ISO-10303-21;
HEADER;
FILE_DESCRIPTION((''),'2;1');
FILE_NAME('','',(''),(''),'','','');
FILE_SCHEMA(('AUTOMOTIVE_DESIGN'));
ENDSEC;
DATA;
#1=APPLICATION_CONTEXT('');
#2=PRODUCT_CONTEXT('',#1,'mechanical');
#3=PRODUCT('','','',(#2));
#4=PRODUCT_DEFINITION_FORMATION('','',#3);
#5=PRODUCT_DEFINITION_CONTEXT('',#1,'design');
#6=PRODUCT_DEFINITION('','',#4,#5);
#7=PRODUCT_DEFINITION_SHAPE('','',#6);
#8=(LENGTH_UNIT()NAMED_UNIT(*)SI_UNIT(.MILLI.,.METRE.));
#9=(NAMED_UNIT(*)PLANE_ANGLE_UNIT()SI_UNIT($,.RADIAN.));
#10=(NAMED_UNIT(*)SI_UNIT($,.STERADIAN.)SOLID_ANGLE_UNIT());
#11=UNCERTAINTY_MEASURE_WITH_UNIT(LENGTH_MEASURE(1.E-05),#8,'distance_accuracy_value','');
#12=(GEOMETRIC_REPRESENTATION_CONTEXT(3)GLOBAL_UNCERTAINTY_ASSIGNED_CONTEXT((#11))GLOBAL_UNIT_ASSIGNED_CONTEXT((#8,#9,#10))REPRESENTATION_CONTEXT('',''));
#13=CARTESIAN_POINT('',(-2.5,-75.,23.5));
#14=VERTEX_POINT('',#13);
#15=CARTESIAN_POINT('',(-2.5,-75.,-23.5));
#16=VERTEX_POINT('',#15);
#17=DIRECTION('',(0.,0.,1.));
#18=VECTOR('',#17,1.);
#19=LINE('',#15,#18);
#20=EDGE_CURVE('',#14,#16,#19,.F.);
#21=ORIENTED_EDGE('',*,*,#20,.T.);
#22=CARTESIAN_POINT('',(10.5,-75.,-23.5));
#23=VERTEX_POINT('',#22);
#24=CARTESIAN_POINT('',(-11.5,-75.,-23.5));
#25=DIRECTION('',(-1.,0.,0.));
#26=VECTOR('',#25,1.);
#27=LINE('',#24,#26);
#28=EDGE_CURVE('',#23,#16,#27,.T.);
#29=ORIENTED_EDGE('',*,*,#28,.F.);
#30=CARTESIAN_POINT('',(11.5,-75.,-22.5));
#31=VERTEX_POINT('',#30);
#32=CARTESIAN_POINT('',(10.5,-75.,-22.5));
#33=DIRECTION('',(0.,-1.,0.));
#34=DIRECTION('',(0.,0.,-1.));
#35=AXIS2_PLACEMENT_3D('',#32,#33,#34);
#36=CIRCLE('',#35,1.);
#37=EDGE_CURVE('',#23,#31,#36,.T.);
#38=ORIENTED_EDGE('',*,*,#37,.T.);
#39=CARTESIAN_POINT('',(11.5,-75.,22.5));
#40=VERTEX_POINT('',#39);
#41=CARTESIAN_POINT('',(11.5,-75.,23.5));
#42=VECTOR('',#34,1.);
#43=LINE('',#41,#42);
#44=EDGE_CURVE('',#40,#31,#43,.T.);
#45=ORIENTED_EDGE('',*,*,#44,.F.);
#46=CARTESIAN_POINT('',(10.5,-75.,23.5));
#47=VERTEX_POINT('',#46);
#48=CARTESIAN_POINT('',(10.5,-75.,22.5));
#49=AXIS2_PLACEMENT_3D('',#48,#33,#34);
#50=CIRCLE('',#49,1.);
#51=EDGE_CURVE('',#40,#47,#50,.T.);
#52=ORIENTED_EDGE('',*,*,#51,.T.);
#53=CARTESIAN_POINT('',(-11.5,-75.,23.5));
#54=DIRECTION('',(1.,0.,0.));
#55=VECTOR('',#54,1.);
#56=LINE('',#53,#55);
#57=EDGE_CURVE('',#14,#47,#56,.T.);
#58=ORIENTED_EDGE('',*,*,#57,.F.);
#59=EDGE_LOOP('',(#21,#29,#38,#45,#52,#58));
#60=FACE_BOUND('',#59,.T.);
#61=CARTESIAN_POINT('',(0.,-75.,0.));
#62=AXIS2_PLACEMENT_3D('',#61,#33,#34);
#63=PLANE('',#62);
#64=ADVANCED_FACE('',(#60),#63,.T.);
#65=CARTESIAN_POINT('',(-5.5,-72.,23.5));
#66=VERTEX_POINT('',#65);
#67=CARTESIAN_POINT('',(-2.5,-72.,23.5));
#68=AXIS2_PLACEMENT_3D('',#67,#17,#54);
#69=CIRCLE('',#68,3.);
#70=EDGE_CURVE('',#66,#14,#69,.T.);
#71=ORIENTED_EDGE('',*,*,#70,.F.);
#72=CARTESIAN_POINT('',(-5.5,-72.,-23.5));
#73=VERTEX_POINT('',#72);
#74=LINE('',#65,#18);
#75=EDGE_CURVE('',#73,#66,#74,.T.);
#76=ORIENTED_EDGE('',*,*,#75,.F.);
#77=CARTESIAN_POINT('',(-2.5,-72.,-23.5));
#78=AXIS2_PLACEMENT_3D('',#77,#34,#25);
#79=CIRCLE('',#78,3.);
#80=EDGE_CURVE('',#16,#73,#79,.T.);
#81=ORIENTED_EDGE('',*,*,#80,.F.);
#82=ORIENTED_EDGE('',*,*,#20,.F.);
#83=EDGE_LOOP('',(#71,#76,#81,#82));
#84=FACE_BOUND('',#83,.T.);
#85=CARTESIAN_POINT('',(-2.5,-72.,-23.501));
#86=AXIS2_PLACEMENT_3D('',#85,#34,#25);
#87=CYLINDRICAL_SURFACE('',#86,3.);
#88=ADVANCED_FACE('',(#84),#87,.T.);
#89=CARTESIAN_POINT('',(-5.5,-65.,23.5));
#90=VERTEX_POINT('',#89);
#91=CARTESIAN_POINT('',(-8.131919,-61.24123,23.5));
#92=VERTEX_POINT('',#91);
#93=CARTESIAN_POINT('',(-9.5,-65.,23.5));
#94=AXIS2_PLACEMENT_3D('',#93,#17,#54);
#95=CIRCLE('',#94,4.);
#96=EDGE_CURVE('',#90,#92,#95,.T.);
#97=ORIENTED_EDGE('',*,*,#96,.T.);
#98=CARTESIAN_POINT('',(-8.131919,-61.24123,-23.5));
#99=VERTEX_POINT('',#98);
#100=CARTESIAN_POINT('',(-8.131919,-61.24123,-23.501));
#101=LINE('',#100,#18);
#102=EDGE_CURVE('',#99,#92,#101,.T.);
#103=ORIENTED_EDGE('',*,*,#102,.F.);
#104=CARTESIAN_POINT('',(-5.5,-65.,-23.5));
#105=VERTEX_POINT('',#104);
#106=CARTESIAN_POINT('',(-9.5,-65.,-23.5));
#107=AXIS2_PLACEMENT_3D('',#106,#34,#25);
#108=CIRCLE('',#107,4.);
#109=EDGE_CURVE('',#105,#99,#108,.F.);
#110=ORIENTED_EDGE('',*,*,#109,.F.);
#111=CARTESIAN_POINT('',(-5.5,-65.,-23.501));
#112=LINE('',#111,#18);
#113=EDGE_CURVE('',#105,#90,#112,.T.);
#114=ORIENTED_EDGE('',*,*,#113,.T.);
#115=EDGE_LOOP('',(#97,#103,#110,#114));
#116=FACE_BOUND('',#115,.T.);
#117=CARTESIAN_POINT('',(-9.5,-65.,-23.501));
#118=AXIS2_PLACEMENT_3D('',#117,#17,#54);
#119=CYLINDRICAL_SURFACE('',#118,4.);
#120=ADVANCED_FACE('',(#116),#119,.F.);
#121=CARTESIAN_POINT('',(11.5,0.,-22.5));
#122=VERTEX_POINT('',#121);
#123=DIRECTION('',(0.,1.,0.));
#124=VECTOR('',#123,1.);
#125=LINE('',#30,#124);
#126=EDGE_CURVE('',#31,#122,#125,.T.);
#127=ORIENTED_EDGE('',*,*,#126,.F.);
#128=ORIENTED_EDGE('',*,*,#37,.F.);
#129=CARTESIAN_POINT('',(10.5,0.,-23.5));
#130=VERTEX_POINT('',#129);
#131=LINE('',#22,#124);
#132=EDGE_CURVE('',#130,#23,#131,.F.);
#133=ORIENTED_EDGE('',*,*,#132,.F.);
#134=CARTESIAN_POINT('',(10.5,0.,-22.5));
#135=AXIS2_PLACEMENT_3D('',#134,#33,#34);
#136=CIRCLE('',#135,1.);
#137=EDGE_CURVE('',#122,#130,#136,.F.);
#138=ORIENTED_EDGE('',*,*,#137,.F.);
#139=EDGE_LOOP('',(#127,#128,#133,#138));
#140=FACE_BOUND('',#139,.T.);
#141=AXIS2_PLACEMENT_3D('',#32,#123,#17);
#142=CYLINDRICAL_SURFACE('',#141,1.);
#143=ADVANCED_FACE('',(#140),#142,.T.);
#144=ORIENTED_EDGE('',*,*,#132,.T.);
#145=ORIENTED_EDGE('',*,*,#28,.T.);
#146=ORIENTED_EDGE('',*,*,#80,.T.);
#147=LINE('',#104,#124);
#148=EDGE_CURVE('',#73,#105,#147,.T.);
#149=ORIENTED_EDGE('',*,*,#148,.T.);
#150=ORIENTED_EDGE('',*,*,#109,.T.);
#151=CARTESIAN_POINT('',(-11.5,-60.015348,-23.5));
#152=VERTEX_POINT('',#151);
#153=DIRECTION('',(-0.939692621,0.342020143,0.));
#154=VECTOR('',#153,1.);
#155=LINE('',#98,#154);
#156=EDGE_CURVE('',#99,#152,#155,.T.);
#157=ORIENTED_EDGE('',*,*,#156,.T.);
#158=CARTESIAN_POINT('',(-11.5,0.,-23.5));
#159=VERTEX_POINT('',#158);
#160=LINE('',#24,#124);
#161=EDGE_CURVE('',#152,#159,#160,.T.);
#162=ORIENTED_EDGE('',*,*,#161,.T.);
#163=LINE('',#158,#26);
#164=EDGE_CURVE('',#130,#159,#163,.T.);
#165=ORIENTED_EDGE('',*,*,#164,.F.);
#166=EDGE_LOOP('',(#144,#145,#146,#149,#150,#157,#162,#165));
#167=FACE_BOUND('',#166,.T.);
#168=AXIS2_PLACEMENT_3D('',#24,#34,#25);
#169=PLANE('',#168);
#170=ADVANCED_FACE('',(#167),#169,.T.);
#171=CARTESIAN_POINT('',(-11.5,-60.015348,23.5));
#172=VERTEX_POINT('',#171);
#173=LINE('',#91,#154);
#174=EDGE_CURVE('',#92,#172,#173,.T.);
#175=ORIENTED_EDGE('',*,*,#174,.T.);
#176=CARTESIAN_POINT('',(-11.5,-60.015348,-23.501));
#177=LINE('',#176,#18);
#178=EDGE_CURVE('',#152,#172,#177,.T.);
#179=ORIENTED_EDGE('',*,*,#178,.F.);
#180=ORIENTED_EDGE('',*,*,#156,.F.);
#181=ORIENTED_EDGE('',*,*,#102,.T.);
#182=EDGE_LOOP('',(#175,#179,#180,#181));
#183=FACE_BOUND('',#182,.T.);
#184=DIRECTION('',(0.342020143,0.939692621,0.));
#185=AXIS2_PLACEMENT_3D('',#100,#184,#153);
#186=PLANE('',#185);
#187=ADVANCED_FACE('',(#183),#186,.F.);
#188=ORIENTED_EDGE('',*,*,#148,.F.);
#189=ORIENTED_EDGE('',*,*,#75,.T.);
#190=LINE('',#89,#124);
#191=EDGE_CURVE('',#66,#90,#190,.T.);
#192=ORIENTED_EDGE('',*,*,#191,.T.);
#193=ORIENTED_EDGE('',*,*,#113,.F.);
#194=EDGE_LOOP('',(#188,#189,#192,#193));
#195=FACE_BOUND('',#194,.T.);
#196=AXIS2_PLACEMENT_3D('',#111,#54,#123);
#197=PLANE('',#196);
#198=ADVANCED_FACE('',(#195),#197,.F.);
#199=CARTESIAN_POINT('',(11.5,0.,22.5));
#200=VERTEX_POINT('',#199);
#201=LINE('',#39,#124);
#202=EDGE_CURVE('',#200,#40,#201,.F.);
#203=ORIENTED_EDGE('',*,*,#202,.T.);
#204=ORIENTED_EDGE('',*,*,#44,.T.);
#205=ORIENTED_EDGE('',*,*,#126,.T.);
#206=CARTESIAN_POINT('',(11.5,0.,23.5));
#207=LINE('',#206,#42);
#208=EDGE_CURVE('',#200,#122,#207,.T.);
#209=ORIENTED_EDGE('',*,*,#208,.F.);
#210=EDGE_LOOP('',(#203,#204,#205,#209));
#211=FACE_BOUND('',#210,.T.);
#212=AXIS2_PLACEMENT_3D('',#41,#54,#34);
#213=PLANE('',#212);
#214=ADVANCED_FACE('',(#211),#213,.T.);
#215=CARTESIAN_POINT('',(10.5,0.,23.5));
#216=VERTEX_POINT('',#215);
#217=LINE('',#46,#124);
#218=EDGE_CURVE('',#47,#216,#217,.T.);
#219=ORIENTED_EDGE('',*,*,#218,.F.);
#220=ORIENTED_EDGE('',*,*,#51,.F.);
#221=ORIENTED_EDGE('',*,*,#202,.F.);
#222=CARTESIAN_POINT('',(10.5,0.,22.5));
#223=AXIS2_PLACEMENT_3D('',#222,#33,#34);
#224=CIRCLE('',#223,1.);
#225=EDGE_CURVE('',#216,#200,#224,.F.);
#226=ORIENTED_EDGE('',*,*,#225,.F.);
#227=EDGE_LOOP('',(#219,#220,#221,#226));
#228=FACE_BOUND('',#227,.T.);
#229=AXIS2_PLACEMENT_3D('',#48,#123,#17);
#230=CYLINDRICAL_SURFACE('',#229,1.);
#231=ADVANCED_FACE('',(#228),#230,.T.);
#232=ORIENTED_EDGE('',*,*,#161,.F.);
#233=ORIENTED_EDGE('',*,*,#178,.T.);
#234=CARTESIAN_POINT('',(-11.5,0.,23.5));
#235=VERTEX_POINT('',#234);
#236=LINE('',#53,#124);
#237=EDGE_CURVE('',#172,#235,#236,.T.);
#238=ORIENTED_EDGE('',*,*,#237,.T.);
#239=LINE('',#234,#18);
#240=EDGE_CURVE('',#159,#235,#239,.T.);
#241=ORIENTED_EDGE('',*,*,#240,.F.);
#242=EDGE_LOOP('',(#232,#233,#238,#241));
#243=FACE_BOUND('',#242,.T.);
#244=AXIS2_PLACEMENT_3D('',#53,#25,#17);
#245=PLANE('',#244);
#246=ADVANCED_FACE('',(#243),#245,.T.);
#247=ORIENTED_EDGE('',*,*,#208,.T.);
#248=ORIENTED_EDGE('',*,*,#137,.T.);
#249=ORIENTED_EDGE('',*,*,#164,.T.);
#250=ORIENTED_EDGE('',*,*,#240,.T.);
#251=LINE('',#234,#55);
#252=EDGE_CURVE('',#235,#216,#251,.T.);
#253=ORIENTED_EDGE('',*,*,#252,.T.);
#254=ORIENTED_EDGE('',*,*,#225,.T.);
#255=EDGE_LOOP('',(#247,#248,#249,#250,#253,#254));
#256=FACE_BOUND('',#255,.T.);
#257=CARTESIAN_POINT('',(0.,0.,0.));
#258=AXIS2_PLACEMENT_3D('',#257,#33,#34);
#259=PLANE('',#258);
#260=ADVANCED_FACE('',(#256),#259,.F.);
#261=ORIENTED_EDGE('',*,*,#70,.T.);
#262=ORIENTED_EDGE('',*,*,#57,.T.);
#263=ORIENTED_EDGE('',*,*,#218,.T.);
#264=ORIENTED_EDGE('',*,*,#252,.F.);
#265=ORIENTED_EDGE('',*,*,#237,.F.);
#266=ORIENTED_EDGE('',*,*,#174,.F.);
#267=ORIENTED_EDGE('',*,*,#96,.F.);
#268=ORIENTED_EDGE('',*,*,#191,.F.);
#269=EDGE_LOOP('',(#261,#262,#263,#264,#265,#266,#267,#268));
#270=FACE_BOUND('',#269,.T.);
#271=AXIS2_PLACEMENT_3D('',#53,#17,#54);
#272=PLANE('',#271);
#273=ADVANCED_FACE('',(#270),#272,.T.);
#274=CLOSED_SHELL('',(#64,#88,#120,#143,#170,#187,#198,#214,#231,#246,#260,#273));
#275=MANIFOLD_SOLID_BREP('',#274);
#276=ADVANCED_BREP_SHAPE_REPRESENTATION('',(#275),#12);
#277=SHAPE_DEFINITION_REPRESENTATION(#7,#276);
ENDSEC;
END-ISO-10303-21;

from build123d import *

# Parameters (mm, degrees)
SKETCH1_W           = 23
SKETCH1_H           = 47
BOSS_EXTRUDE1_DEPTH = 75
CUT_EXTRUDE1_REACH  = 91.254
FILLET1_R           = 3
FILLET2_R           = 1


with BuildPart() as part:
    # Sketch1 → Boss-Extrude1 (new body)
    with BuildSketch(Plane(origin=(0, 0, 0), x_dir=(1, 0, 0), z_dir=(0, 1, 0))):
        Rectangle(SKETCH1_W, SKETCH1_H)
    extrude(amount=-BOSS_EXTRUDE1_DEPTH)

    # Sketch2 → Cut-Extrude1 (cut, up to next)
    with BuildSketch(Plane.XY.offset(23.5), mode=Mode.PRIVATE) as cut_extrude1_sk1:
        with BuildLine():
            Line((-8.131919427, -61.241229517), (-11.5, -60.015348442))
            Line((-11.5, -60.015348442), (-11.5, -75))
            Line((-11.5, -75), (-5.5, -75))
            Line((-5.5, -75), (-5.5, -65))
            ThreePointArc((-5.5, -65), (-6.223391823, -62.705694255), (-8.131919427, -61.241229517))
        make_face()
    cut_extrude1_tool1 = extrude(cut_extrude1_sk1.sketch, amount=-CUT_EXTRUDE1_REACH, mode=Mode.PRIVATE) & part.part
    add(cut_extrude1_tool1.solids().sort_by_distance((-8.622504, -68.134359, 23.5))[0], mode=Mode.SUBTRACT)

    # Fillet1
    fillet1_edges = [part.edges().sort_by_distance(p)[0] for p in [
        (-5.5, -75, 0),
    ]]
    fillet(fillet1_edges, radius=FILLET1_R)

    # Fillet2
    fillet2_edges = [part.edges().sort_by_distance(p)[0] for p in [
        (11.5, -37.5, 23.5),
        (11.5, -37.5, -23.5),
    ]]
    fillet(fillet2_edges, radius=FILLET2_R)


solid = part.part
